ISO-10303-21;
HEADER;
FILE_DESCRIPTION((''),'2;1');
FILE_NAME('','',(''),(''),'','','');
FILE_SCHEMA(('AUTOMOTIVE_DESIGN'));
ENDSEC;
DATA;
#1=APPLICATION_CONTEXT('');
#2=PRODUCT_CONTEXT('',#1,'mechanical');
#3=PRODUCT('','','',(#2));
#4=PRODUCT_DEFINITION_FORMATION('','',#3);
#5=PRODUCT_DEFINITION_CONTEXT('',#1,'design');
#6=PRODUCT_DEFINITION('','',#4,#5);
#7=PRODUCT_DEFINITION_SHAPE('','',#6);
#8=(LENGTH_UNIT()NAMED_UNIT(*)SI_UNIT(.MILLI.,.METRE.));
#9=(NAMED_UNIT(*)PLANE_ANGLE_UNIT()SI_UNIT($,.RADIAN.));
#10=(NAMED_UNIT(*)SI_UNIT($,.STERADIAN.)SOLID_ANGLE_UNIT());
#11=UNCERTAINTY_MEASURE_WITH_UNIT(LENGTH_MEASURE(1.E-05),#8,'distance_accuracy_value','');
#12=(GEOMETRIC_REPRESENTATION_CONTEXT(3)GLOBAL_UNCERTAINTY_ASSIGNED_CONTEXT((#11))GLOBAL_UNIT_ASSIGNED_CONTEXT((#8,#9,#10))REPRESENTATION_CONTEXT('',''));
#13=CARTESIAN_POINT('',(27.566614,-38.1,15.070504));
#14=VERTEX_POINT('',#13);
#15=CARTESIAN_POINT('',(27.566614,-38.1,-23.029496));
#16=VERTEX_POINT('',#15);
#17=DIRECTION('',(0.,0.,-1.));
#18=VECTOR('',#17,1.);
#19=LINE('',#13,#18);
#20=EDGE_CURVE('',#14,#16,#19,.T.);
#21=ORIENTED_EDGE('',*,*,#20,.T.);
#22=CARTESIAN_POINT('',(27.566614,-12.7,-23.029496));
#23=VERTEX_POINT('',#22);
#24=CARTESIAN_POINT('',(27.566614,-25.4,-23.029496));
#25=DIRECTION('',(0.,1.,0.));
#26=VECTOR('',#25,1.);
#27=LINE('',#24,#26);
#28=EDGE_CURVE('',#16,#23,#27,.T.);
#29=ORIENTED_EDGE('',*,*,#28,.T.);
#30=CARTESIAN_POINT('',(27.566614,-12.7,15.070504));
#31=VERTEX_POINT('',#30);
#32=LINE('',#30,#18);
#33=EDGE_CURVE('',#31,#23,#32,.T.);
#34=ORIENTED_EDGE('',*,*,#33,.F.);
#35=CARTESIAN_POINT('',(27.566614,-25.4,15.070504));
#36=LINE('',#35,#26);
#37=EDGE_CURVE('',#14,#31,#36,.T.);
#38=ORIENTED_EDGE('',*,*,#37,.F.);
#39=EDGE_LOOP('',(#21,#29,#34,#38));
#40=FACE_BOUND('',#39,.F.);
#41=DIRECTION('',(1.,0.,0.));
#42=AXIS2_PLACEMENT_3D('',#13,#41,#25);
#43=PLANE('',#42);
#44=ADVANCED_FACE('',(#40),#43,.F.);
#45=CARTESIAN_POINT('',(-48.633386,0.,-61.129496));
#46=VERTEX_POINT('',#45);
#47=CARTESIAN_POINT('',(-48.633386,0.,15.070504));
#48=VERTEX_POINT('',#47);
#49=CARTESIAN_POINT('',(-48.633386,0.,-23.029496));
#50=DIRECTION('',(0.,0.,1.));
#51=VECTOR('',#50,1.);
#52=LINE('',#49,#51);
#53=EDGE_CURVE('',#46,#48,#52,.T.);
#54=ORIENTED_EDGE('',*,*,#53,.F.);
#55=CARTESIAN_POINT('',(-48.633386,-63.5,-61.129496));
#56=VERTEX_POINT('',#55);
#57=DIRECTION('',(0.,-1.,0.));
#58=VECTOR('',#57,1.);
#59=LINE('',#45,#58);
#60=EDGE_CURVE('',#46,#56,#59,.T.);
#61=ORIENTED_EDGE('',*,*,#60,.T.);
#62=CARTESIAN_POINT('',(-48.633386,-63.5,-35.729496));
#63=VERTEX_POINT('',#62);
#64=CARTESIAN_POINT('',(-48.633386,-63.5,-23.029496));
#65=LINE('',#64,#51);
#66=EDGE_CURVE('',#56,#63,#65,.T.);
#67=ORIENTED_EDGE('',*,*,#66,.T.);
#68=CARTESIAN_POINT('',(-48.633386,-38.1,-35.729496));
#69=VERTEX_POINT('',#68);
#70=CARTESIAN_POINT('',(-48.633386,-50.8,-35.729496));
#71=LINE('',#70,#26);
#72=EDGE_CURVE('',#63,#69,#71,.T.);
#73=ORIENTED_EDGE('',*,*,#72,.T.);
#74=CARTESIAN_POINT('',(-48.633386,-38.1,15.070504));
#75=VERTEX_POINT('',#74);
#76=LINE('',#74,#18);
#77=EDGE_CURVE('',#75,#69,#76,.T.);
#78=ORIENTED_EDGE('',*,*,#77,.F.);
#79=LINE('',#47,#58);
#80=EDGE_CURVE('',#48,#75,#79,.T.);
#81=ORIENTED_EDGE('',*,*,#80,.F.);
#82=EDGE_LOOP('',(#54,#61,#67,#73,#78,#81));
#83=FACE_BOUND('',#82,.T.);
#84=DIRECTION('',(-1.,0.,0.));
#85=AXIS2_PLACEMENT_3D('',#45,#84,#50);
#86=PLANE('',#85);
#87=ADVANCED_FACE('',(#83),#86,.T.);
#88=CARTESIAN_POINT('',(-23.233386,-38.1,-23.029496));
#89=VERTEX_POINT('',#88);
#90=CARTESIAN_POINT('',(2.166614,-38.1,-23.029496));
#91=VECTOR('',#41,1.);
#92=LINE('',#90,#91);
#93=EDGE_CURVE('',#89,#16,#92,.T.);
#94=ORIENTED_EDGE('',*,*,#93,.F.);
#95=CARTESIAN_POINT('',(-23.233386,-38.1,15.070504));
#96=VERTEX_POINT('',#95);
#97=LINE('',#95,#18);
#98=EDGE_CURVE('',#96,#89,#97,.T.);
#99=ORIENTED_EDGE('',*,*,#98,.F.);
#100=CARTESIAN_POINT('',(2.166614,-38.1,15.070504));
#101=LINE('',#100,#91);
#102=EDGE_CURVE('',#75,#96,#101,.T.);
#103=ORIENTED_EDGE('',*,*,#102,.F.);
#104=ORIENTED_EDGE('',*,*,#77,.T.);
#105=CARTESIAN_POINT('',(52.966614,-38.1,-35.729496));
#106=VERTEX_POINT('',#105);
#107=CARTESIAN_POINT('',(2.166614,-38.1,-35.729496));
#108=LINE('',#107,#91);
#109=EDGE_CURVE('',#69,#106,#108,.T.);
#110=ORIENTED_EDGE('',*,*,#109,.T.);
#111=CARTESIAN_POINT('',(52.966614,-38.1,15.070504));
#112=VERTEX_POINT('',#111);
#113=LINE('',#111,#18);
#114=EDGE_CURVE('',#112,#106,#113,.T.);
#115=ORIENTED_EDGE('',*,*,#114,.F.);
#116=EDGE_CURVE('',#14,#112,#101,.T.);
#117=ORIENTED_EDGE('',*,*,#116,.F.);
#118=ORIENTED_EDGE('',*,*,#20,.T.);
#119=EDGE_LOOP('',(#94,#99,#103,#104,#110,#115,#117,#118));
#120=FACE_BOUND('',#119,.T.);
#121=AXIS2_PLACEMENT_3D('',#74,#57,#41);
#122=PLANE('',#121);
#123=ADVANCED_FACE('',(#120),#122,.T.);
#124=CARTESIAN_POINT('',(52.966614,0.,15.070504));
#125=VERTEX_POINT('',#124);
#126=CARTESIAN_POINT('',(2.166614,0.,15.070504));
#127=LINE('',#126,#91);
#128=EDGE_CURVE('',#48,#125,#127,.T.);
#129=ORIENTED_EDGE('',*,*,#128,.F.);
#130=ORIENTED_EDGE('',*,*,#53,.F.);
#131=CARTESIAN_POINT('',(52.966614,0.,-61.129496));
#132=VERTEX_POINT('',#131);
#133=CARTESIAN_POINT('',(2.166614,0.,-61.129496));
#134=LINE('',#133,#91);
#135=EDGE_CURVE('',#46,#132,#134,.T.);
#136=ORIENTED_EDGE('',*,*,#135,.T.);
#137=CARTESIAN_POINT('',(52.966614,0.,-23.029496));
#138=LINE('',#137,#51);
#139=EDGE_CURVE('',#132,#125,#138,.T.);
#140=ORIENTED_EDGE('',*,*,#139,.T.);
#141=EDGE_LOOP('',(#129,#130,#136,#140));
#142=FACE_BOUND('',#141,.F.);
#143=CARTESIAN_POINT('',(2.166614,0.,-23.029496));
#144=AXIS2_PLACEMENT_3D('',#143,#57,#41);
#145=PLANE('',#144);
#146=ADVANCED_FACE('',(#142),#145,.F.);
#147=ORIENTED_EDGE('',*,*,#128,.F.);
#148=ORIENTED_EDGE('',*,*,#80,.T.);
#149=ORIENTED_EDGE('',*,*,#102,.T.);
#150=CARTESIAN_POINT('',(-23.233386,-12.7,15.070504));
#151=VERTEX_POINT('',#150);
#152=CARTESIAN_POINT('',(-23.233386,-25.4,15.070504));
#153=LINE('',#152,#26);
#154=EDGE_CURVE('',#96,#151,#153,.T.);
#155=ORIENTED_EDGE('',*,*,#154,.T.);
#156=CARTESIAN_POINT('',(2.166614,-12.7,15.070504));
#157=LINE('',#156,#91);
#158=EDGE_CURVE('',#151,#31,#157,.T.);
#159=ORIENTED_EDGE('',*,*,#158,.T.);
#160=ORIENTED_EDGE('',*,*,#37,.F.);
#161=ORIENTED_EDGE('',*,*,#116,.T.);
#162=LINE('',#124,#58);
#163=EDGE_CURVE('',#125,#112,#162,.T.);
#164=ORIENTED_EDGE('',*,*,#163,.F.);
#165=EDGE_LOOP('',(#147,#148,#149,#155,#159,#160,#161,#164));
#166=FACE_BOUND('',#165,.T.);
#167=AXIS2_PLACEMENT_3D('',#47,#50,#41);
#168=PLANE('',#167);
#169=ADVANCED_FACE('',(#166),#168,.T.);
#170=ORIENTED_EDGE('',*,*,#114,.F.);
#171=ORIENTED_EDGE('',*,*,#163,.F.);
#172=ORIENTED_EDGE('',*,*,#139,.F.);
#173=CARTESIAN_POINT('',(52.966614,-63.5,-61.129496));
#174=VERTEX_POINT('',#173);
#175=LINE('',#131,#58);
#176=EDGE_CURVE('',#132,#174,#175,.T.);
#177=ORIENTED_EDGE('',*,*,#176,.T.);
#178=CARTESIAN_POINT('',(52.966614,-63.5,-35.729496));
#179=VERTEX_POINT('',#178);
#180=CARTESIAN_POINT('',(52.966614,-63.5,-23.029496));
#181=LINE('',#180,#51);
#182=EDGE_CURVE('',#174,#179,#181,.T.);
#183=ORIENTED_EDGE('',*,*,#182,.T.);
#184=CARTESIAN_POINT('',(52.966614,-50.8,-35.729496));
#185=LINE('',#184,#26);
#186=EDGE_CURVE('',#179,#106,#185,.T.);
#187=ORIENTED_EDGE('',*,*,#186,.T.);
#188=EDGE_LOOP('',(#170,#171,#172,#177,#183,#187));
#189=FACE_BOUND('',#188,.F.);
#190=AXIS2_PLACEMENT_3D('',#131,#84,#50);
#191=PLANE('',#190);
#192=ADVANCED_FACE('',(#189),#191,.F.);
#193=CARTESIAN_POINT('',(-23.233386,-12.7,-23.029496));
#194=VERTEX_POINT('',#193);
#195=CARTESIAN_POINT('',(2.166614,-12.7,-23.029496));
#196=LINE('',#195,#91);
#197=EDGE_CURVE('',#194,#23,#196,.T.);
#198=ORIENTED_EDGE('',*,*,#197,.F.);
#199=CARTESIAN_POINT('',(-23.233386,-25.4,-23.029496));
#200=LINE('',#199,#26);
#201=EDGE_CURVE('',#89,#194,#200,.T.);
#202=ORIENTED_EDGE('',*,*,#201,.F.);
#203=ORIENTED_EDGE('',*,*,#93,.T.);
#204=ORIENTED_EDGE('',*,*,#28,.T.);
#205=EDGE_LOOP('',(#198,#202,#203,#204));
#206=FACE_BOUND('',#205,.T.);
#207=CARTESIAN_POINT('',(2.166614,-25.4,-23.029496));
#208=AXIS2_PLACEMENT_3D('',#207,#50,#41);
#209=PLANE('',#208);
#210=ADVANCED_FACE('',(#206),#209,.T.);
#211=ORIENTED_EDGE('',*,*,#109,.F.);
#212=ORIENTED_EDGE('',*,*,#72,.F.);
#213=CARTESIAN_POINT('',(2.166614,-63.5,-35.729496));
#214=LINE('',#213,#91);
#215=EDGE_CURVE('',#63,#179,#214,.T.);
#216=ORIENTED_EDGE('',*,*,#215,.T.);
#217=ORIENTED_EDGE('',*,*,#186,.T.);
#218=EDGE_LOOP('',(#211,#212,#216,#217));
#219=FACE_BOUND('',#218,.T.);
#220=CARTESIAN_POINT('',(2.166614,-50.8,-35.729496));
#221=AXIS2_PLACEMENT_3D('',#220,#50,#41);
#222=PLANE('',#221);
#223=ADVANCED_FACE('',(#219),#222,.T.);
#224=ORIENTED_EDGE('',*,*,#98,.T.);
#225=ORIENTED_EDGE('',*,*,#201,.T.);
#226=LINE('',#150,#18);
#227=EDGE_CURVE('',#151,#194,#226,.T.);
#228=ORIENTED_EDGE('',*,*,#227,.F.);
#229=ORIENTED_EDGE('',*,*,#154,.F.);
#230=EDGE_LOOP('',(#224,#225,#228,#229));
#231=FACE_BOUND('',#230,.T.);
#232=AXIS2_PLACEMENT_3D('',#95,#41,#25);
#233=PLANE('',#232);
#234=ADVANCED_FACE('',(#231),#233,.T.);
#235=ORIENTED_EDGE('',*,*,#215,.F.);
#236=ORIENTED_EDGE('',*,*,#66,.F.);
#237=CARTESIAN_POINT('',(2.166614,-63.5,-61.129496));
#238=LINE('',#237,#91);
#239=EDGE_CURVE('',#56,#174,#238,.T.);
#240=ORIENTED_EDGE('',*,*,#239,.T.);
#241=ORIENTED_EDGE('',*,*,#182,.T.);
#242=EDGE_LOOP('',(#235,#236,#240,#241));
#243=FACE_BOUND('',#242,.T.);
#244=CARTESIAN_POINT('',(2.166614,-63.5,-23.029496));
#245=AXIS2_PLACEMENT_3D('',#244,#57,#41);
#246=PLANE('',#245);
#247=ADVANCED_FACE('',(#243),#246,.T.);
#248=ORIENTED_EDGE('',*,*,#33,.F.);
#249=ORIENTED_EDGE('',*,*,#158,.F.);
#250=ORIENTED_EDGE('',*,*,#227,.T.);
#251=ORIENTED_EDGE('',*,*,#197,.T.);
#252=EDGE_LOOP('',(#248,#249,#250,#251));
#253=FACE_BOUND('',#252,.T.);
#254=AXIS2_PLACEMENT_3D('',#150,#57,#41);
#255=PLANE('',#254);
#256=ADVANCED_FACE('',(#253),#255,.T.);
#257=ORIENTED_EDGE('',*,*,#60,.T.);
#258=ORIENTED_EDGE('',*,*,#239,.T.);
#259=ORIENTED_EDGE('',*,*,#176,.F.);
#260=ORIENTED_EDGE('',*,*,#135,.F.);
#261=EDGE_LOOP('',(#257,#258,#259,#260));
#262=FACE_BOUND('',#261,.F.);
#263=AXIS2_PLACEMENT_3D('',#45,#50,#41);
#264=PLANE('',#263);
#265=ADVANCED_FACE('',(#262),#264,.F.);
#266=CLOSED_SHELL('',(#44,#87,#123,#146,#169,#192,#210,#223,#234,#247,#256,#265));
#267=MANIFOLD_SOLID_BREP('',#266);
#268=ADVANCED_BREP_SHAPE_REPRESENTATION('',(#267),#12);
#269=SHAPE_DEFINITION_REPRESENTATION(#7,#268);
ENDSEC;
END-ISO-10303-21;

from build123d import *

# Parameters (mm, degrees)
F0_W     = 101.6
F0_H     = 76.2
F1_DEPTH = 63.5
F2_W     = 101.6
F2_H     = 25.4
F3_DEPTH = 50.8
F4_W     = 50.8
F4_H     = 25.4
F5_DEPTH = 38.1


with BuildPart() as f1:
    # F0 (on Front) → F1 (new body)
    with BuildSketch(Plane.XZ):
        with Locations((2.166614, -23.029496)):
            Rectangle(F0_W, F0_H)
    extrude(amount=F1_DEPTH)

    # F2 (on face) → F3 (cut)
    with BuildSketch(Plane.XY.offset(15.070504)):
        with Locations((2.166614, -50.8)):
            Rectangle(F2_W, F2_H)
    extrude(amount=-F3_DEPTH, mode=Mode.SUBTRACT)

    # F4 (on face) → F5 (cut)
    with BuildSketch(Plane.XY.offset(15.070504)):
        with Locations((2.166614, -25.4)):
            Rectangle(F4_W, F4_H)
    extrude(amount=-F5_DEPTH, mode=Mode.SUBTRACT)


solid = f1.part
